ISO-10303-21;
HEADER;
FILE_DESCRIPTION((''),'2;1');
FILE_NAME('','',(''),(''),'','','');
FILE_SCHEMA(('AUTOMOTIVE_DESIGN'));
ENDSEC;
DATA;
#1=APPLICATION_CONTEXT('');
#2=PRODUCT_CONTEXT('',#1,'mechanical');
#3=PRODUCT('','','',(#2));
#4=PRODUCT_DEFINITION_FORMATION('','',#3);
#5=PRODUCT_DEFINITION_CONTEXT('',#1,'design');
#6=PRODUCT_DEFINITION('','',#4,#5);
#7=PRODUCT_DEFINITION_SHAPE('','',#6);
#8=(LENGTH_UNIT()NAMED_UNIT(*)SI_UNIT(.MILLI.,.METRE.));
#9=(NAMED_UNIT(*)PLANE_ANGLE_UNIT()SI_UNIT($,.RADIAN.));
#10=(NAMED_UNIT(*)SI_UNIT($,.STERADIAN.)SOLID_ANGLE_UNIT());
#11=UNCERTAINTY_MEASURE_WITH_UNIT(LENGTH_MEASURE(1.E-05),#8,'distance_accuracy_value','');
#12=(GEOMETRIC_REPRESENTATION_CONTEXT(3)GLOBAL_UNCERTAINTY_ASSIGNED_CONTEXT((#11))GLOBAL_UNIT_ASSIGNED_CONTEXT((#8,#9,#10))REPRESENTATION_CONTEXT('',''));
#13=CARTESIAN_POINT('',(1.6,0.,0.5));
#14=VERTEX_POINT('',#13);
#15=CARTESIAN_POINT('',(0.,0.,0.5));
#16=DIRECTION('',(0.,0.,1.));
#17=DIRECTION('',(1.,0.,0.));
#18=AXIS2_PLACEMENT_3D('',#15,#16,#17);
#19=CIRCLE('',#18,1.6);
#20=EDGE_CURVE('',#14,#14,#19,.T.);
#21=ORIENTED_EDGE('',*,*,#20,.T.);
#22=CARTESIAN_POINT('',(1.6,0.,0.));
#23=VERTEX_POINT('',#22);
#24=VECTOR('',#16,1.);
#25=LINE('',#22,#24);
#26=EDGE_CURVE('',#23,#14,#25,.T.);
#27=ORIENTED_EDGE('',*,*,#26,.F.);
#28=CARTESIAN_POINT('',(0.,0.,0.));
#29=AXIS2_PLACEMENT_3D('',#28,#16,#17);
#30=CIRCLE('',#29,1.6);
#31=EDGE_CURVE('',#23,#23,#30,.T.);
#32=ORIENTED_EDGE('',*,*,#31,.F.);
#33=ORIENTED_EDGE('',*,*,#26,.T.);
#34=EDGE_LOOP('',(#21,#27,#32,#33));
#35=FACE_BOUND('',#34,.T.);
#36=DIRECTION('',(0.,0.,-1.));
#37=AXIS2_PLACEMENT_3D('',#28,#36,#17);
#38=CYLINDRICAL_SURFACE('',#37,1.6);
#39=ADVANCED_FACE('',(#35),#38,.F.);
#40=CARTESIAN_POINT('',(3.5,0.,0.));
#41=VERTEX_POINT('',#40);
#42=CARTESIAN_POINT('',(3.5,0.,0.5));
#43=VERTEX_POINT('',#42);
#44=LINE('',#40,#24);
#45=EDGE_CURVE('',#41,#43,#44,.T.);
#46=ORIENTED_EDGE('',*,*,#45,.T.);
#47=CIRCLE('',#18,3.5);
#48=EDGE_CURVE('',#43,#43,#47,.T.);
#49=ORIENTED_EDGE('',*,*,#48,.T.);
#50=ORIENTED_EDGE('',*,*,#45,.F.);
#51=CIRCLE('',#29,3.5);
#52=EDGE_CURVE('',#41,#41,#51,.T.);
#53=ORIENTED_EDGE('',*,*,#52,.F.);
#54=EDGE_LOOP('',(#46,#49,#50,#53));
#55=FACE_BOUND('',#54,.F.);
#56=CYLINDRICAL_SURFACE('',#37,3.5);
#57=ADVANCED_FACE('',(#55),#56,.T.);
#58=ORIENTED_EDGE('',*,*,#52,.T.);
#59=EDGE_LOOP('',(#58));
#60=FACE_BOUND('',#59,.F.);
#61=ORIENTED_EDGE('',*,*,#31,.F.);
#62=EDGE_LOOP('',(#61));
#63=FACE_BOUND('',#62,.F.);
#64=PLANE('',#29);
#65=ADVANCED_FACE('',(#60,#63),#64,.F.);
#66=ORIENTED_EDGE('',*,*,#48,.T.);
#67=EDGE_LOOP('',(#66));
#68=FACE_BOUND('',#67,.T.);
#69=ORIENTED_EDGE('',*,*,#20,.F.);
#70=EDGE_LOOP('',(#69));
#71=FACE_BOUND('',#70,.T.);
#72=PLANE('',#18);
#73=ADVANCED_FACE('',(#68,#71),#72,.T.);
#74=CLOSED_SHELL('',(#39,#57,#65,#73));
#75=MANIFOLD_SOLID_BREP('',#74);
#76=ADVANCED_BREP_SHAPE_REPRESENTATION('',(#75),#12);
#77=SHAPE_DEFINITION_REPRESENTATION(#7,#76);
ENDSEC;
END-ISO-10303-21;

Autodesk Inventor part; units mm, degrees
ref_plane "YZ Plane" through (0, 0, 0) normal (1, 0, 0) x (0, 1, 0)
ref_plane "XZ Plane" through (0, 0, 0) normal (0, 1, 0) x (-1, 0, 0)
ref_plane "XY Plane" through (0, 0, 0) normal (0, 0, 1) x (1, 0, 0)
sketch "Sketch1" plane through (0, 0, 0) normal (0, 0, 1) x (1, 0, 0)
  circle A0 centre (0, 0) radius 3.5
  circle A1 centre (0, 0) radius 1.6
  dimension "d0" = 3.2
  dimension "d1" = 7
extrude "Extrusion1" add sketch "Sketch1" along normal blind 0.5
properties part number "M3 x 0.5mm Zinc Plated Steel Washer" material "Steel"
